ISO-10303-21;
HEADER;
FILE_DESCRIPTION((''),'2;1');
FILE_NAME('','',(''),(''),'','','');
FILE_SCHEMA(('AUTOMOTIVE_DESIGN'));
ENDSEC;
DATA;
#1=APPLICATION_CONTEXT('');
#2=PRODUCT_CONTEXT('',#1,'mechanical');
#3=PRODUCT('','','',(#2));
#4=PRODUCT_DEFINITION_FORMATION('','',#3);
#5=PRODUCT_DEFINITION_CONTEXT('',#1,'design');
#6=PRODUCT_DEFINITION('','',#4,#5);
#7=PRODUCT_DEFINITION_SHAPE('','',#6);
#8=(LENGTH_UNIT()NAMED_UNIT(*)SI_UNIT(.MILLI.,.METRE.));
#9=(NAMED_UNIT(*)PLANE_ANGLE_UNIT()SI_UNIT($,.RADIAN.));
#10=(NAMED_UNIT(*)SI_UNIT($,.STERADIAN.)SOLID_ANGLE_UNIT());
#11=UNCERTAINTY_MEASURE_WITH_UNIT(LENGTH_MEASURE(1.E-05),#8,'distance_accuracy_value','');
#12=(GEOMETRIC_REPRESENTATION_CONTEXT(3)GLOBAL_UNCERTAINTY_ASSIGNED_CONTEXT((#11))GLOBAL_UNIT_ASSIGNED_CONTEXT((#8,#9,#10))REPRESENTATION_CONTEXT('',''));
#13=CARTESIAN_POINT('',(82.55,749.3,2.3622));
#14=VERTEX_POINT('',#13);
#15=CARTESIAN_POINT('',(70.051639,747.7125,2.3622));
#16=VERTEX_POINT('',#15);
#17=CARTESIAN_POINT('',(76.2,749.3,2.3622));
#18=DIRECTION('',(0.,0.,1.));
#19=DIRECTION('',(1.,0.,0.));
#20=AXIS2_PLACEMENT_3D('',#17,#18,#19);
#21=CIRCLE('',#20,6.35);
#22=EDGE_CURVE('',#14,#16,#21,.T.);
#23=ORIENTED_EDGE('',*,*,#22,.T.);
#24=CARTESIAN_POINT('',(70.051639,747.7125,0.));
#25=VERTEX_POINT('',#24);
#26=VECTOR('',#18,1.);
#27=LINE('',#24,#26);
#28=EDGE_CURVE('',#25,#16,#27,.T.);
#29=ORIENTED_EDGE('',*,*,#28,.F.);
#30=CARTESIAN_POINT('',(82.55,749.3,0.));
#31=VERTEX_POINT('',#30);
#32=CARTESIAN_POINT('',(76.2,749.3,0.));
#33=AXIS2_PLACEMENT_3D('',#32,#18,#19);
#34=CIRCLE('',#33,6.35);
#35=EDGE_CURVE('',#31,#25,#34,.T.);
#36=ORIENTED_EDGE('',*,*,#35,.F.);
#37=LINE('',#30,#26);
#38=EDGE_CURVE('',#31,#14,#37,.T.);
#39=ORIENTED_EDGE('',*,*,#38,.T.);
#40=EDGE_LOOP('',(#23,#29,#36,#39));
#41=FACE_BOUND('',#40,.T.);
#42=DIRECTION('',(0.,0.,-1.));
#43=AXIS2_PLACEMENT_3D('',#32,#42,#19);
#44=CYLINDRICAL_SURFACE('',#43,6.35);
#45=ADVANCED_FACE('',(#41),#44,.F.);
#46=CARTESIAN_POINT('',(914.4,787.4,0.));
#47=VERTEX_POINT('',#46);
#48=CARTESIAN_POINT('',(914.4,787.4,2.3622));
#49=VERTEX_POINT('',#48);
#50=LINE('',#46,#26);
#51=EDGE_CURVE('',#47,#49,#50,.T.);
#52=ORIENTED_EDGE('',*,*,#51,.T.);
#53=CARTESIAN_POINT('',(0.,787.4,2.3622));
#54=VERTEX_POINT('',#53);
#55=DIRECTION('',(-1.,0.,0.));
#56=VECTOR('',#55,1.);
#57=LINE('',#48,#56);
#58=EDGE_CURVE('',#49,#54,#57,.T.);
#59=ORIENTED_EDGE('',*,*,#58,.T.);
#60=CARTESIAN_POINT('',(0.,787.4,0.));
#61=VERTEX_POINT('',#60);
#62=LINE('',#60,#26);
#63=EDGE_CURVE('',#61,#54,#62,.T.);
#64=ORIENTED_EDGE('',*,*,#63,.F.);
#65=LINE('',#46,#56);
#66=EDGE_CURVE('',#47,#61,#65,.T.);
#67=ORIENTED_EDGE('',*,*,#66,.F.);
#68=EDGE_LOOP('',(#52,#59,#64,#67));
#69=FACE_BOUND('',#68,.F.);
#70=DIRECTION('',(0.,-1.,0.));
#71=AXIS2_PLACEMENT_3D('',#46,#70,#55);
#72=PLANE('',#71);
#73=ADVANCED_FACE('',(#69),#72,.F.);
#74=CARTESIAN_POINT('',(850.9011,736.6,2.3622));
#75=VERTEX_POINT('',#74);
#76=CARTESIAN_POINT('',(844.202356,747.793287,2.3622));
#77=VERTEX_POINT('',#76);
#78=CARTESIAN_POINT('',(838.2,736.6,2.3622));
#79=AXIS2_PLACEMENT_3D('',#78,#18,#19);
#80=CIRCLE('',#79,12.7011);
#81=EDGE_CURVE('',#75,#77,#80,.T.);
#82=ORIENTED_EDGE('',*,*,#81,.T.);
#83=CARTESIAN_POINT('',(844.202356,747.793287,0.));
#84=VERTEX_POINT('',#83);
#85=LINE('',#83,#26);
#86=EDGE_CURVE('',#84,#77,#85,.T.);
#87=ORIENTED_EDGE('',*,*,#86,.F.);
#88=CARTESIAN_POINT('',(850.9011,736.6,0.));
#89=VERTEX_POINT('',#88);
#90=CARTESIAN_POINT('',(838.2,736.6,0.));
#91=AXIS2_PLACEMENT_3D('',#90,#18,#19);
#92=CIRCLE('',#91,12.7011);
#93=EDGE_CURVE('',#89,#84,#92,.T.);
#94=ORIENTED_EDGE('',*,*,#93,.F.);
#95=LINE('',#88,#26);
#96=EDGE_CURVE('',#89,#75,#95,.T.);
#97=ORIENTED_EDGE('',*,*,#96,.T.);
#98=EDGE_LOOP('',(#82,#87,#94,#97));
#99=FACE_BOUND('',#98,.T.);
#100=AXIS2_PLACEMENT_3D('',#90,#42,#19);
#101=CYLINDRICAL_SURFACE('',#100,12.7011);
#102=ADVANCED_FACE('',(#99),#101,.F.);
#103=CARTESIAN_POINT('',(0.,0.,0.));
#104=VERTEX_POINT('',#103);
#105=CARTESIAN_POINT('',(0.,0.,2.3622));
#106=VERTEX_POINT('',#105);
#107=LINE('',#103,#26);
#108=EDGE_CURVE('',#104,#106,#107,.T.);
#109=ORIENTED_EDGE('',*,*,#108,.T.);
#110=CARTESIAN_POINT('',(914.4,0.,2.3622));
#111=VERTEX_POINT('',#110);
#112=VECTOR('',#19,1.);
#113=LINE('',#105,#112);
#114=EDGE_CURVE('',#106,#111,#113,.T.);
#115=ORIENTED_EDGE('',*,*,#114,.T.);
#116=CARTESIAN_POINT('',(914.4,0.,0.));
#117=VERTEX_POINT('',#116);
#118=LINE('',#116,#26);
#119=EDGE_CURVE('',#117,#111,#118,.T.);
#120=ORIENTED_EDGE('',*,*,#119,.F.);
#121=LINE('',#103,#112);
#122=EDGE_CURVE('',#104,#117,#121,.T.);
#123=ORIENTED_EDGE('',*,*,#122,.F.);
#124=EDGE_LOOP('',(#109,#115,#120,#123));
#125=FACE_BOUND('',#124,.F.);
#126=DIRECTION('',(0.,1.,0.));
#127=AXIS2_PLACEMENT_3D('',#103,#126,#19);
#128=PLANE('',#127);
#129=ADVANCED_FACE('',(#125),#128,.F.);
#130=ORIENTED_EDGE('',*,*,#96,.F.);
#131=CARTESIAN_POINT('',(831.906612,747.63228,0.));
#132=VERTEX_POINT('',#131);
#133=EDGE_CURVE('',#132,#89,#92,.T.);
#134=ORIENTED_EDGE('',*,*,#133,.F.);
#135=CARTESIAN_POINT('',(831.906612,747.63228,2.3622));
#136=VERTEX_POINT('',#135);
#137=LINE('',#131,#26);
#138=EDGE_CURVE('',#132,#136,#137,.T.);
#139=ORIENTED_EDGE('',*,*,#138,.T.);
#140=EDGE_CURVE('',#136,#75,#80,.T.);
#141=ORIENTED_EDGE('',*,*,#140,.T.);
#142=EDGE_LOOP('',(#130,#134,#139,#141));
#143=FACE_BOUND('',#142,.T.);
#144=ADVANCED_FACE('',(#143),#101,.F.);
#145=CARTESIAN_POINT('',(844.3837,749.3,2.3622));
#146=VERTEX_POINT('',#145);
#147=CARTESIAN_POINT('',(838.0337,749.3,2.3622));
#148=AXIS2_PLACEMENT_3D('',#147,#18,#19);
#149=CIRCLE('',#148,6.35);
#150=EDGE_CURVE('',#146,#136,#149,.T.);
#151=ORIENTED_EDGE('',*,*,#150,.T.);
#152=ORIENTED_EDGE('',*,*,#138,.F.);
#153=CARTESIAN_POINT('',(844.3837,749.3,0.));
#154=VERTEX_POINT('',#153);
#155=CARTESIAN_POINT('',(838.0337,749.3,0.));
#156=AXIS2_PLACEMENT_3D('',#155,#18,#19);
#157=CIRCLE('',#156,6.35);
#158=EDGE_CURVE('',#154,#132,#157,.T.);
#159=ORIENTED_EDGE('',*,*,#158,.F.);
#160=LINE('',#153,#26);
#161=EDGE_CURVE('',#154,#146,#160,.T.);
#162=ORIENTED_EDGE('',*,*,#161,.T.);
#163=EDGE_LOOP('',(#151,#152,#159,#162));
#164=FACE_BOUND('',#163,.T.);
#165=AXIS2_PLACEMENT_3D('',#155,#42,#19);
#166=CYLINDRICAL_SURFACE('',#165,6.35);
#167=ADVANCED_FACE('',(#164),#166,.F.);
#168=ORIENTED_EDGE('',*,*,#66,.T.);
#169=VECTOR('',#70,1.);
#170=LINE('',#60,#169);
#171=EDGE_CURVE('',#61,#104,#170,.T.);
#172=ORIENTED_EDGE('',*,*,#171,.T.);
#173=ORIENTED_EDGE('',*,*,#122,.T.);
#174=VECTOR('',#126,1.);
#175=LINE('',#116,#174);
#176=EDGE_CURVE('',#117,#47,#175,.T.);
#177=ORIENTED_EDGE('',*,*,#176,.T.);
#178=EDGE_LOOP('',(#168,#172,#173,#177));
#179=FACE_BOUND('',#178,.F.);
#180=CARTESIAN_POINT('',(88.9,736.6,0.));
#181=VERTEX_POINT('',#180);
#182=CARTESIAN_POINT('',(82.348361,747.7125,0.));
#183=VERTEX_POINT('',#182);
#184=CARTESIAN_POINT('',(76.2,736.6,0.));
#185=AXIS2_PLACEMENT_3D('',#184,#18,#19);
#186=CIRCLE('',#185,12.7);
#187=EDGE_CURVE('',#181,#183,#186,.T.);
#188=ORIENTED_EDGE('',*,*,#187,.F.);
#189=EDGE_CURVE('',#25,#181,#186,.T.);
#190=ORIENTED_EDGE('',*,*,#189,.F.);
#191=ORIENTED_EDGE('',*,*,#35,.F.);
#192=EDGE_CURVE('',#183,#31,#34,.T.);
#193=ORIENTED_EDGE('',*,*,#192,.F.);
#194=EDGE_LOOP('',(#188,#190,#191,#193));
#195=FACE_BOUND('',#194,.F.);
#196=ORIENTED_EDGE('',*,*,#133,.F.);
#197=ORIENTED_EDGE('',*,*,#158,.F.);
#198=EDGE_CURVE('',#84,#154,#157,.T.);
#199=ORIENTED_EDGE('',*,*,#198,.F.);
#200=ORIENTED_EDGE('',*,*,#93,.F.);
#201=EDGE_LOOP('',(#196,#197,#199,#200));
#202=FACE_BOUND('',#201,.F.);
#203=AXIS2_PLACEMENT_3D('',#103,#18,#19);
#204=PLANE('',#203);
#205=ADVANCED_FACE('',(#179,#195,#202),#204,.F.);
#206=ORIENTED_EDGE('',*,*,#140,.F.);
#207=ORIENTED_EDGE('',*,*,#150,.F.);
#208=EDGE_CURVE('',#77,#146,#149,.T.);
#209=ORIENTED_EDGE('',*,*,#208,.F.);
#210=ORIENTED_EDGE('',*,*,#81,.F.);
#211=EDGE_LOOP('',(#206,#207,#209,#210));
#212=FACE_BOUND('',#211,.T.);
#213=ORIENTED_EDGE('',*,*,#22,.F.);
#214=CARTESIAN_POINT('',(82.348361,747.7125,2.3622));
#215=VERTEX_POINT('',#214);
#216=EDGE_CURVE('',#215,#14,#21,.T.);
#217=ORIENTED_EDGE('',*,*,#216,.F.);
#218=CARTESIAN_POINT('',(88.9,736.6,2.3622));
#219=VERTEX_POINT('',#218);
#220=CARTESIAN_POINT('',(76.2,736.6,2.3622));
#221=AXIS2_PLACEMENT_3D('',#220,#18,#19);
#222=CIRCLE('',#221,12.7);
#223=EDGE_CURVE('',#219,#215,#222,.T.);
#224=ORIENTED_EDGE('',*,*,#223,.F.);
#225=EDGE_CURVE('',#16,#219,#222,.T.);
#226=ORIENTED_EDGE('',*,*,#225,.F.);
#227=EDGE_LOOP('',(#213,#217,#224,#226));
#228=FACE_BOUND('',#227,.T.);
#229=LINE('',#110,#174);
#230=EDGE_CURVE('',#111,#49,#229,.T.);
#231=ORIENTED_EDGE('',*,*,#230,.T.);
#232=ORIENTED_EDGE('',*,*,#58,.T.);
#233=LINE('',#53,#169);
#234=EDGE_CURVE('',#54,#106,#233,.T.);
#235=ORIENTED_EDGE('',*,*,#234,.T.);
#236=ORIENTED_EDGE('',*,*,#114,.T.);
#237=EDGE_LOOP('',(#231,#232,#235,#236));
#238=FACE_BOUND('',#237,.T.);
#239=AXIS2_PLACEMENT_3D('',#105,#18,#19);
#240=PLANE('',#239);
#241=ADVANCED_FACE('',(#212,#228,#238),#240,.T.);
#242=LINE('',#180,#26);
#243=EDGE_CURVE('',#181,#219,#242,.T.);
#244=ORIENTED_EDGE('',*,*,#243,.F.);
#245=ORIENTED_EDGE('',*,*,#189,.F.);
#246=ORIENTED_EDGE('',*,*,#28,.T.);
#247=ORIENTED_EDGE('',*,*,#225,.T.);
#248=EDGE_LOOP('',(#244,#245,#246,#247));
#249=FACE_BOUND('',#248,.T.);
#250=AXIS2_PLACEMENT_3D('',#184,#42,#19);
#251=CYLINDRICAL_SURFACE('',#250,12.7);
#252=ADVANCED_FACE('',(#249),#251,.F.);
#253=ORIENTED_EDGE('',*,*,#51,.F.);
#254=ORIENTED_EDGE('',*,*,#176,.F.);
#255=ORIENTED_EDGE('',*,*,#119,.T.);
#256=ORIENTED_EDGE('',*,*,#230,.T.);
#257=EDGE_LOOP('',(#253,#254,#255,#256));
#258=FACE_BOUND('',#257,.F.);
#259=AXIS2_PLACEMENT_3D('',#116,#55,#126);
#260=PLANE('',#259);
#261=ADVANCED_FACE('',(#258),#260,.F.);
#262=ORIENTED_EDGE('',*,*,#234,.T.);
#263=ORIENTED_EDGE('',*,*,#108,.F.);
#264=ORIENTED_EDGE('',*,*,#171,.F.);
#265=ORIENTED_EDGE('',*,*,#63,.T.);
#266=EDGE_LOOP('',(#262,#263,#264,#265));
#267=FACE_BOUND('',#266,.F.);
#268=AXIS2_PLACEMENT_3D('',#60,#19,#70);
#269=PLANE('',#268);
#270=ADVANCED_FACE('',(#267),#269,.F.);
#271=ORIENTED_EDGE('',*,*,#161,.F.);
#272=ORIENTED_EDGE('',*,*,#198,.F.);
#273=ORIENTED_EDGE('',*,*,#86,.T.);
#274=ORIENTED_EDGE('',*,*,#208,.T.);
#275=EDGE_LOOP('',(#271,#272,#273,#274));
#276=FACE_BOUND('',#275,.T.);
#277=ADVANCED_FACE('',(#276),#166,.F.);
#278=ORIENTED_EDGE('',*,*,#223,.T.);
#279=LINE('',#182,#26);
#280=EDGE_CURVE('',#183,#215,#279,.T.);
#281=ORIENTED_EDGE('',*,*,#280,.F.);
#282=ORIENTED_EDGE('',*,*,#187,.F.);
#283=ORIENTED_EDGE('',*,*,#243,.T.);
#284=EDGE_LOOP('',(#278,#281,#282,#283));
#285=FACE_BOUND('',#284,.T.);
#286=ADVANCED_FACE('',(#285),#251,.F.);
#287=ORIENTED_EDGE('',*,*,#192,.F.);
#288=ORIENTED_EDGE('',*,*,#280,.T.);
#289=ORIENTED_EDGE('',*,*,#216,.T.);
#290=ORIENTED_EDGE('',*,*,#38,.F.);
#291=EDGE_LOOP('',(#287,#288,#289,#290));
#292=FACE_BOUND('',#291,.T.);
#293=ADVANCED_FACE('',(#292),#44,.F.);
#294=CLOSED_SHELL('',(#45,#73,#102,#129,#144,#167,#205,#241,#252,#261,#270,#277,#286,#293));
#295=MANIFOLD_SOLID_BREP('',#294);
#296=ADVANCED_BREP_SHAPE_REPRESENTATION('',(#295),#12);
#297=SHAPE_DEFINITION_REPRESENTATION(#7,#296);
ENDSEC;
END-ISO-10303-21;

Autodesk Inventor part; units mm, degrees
ref_plane "YZ Plane" through (0, 0, 0) normal (1, 0, 0) x (0, 1, 0)
ref_plane "XZ Plane" through (0, 0, 0) normal (0, 1, 0) x (-1, 0, 0)
ref_plane "XY Plane" through (0, 0, 0) normal (0, 0, 1) x (1, 0, 0)
sketch "Sketch1" plane through (0, 0, 0) normal (0, 0, 1) x (1, 0, 0)
  line L0 (0, 0) -> (914.4, 0)
  line L1 (914.4, 0) -> (914.4, 787.4)
  line L2 (914.4, 787.4) -> (0, 787.4)
  line L3 (0, 787.4) -> (0, 0)
  circle A0 centre (76.2, 736.6) radius 12.7
  circle A1 centre (838.2, 736.6) radius 12.7011
  circle A2 centre (76.2, 749.3) radius 6.35
  circle A3 centre (838.0337, 749.3) radius 6.35
  dimension "d21" = 25.4022
  dimension "d0" = 914.4
  dimension "d1" = 787.4
  dimension "d2" = 25.4
  dimension "d5" = 50.8
  dimension "d7" = 76.2
  dimension "d11" = 12.7
  dimension "d12" = 38.1
  dimension "d17" = 38.1
  dimension "d18" = 76.2
  dimension "d19" = 50.8
  dimension "d20" = 12.7
extrude "Extrusion2" add sketch "Sketch1" along normal blind 2.3622
properties part number "PlexiglassWall3ft"
